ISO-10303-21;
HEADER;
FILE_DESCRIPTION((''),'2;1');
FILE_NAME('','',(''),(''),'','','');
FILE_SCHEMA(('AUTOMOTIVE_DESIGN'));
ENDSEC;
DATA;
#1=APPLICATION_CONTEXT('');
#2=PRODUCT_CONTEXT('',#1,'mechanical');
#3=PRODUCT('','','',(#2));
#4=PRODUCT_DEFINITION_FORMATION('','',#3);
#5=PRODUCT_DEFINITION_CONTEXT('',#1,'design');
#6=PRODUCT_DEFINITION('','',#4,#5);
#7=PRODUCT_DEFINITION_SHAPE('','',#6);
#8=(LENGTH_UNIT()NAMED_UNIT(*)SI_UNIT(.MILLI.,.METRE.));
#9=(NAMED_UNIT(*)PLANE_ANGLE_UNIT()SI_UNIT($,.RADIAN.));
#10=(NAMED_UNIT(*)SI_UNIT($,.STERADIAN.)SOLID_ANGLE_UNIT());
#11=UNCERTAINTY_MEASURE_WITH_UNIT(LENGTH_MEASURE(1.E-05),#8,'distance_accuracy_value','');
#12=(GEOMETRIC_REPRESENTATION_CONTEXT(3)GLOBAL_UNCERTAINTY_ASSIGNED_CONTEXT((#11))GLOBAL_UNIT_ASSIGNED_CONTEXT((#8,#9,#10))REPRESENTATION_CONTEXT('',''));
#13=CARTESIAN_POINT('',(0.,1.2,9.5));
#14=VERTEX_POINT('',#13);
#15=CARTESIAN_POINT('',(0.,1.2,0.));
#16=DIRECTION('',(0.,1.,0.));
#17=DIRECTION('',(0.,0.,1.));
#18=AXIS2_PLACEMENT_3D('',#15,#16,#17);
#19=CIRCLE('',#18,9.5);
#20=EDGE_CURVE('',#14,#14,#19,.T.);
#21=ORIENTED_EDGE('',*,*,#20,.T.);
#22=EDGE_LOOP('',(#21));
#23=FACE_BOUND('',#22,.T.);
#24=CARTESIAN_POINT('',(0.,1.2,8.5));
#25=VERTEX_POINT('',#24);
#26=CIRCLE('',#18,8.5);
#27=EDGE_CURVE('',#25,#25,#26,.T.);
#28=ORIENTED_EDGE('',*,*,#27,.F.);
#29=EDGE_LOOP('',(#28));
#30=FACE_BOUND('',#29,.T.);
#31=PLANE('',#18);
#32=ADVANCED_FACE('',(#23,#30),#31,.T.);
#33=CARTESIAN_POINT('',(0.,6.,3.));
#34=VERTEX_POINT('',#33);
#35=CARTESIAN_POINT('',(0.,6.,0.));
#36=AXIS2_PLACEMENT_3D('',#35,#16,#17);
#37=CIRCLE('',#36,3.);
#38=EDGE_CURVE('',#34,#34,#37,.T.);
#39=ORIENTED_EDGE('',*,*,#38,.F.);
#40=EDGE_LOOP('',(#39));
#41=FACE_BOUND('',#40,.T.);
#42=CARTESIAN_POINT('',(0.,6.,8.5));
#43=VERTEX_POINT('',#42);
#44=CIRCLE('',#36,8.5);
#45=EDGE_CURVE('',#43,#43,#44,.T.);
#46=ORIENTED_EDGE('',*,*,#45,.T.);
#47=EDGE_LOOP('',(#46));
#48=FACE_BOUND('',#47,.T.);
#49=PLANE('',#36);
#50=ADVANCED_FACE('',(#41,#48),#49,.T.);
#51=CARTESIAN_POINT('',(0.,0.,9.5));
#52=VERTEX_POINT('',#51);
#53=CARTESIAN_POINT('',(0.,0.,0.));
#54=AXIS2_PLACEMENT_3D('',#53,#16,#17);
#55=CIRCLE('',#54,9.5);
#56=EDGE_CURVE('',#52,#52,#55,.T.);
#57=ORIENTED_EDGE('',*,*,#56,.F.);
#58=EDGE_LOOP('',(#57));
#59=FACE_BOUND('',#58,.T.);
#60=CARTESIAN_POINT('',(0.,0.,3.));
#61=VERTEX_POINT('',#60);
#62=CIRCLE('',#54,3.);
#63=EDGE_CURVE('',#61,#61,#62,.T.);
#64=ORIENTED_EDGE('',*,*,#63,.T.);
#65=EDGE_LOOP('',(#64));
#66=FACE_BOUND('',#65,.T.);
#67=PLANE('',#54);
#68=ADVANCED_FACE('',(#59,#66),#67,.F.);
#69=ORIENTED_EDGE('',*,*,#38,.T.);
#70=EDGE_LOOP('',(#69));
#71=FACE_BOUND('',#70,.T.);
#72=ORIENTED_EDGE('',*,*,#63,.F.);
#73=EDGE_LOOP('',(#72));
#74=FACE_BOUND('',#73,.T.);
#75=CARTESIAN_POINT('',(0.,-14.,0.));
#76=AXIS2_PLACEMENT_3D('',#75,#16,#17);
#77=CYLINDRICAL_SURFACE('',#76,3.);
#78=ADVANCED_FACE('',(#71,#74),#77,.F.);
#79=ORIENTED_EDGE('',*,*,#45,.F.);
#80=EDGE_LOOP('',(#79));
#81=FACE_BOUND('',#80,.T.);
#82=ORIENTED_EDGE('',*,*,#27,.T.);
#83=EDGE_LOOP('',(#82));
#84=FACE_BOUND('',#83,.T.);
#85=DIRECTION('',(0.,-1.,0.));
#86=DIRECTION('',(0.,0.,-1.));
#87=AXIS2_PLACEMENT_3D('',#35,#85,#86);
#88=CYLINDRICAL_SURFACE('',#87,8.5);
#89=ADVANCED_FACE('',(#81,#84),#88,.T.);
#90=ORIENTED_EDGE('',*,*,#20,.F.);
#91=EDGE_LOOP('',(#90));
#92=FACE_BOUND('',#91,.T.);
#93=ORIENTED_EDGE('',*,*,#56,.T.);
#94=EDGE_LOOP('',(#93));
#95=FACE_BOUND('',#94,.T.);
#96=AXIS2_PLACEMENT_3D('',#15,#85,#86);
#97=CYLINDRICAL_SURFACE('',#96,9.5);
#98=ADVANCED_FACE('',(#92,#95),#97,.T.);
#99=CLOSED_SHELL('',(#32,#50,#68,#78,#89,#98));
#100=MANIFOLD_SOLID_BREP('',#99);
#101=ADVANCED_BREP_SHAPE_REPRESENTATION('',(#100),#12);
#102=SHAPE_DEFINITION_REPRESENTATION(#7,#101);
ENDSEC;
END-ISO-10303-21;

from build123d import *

# Parameters (mm, degrees)
SKETCH_1_R          = 9.5
EXTRUDE_1_DEPTH     = 1.2
SKETCH_2_R          = 8.5
EXTRUDE_2_DEPTH     = 4.8
SKETCH_3_R          = 3
CUT_EXTRUDE_1_DEPTH = 20


with BuildPart() as part:
    # 草图1 → 凸台-拉伸1 (new body)
    with BuildSketch(Plane(origin=(0, 0, 0), x_dir=(1, 0, 0), z_dir=(0, 1, 0))):
        with Locations(Location((0, 0, 0), (0, 0, 270))):
            Circle(SKETCH_1_R)
    extrude(amount=EXTRUDE_1_DEPTH)

    # 草图2 → 凸台-拉伸2 (add)
    with BuildSketch(Plane(origin=(0, 1.2, 0), x_dir=(1, 0, 0), z_dir=(0, 1, 0))):
        with Locations(Location((0, 0, 0), (0, 0, 270))):
            Circle(SKETCH_2_R)
    extrude(amount=EXTRUDE_2_DEPTH)

    # 草图3 → 切除-拉伸1 (cut)
    with BuildSketch(Plane(origin=(0, 6, 0), x_dir=(1, 0, 0), z_dir=(0, 1, 0))):
        with Locations(Location((0, 0, 0), (0, 0, 270))):
            Circle(SKETCH_3_R)
    extrude(amount=-CUT_EXTRUDE_1_DEPTH, mode=Mode.SUBTRACT)


solid = part.part
